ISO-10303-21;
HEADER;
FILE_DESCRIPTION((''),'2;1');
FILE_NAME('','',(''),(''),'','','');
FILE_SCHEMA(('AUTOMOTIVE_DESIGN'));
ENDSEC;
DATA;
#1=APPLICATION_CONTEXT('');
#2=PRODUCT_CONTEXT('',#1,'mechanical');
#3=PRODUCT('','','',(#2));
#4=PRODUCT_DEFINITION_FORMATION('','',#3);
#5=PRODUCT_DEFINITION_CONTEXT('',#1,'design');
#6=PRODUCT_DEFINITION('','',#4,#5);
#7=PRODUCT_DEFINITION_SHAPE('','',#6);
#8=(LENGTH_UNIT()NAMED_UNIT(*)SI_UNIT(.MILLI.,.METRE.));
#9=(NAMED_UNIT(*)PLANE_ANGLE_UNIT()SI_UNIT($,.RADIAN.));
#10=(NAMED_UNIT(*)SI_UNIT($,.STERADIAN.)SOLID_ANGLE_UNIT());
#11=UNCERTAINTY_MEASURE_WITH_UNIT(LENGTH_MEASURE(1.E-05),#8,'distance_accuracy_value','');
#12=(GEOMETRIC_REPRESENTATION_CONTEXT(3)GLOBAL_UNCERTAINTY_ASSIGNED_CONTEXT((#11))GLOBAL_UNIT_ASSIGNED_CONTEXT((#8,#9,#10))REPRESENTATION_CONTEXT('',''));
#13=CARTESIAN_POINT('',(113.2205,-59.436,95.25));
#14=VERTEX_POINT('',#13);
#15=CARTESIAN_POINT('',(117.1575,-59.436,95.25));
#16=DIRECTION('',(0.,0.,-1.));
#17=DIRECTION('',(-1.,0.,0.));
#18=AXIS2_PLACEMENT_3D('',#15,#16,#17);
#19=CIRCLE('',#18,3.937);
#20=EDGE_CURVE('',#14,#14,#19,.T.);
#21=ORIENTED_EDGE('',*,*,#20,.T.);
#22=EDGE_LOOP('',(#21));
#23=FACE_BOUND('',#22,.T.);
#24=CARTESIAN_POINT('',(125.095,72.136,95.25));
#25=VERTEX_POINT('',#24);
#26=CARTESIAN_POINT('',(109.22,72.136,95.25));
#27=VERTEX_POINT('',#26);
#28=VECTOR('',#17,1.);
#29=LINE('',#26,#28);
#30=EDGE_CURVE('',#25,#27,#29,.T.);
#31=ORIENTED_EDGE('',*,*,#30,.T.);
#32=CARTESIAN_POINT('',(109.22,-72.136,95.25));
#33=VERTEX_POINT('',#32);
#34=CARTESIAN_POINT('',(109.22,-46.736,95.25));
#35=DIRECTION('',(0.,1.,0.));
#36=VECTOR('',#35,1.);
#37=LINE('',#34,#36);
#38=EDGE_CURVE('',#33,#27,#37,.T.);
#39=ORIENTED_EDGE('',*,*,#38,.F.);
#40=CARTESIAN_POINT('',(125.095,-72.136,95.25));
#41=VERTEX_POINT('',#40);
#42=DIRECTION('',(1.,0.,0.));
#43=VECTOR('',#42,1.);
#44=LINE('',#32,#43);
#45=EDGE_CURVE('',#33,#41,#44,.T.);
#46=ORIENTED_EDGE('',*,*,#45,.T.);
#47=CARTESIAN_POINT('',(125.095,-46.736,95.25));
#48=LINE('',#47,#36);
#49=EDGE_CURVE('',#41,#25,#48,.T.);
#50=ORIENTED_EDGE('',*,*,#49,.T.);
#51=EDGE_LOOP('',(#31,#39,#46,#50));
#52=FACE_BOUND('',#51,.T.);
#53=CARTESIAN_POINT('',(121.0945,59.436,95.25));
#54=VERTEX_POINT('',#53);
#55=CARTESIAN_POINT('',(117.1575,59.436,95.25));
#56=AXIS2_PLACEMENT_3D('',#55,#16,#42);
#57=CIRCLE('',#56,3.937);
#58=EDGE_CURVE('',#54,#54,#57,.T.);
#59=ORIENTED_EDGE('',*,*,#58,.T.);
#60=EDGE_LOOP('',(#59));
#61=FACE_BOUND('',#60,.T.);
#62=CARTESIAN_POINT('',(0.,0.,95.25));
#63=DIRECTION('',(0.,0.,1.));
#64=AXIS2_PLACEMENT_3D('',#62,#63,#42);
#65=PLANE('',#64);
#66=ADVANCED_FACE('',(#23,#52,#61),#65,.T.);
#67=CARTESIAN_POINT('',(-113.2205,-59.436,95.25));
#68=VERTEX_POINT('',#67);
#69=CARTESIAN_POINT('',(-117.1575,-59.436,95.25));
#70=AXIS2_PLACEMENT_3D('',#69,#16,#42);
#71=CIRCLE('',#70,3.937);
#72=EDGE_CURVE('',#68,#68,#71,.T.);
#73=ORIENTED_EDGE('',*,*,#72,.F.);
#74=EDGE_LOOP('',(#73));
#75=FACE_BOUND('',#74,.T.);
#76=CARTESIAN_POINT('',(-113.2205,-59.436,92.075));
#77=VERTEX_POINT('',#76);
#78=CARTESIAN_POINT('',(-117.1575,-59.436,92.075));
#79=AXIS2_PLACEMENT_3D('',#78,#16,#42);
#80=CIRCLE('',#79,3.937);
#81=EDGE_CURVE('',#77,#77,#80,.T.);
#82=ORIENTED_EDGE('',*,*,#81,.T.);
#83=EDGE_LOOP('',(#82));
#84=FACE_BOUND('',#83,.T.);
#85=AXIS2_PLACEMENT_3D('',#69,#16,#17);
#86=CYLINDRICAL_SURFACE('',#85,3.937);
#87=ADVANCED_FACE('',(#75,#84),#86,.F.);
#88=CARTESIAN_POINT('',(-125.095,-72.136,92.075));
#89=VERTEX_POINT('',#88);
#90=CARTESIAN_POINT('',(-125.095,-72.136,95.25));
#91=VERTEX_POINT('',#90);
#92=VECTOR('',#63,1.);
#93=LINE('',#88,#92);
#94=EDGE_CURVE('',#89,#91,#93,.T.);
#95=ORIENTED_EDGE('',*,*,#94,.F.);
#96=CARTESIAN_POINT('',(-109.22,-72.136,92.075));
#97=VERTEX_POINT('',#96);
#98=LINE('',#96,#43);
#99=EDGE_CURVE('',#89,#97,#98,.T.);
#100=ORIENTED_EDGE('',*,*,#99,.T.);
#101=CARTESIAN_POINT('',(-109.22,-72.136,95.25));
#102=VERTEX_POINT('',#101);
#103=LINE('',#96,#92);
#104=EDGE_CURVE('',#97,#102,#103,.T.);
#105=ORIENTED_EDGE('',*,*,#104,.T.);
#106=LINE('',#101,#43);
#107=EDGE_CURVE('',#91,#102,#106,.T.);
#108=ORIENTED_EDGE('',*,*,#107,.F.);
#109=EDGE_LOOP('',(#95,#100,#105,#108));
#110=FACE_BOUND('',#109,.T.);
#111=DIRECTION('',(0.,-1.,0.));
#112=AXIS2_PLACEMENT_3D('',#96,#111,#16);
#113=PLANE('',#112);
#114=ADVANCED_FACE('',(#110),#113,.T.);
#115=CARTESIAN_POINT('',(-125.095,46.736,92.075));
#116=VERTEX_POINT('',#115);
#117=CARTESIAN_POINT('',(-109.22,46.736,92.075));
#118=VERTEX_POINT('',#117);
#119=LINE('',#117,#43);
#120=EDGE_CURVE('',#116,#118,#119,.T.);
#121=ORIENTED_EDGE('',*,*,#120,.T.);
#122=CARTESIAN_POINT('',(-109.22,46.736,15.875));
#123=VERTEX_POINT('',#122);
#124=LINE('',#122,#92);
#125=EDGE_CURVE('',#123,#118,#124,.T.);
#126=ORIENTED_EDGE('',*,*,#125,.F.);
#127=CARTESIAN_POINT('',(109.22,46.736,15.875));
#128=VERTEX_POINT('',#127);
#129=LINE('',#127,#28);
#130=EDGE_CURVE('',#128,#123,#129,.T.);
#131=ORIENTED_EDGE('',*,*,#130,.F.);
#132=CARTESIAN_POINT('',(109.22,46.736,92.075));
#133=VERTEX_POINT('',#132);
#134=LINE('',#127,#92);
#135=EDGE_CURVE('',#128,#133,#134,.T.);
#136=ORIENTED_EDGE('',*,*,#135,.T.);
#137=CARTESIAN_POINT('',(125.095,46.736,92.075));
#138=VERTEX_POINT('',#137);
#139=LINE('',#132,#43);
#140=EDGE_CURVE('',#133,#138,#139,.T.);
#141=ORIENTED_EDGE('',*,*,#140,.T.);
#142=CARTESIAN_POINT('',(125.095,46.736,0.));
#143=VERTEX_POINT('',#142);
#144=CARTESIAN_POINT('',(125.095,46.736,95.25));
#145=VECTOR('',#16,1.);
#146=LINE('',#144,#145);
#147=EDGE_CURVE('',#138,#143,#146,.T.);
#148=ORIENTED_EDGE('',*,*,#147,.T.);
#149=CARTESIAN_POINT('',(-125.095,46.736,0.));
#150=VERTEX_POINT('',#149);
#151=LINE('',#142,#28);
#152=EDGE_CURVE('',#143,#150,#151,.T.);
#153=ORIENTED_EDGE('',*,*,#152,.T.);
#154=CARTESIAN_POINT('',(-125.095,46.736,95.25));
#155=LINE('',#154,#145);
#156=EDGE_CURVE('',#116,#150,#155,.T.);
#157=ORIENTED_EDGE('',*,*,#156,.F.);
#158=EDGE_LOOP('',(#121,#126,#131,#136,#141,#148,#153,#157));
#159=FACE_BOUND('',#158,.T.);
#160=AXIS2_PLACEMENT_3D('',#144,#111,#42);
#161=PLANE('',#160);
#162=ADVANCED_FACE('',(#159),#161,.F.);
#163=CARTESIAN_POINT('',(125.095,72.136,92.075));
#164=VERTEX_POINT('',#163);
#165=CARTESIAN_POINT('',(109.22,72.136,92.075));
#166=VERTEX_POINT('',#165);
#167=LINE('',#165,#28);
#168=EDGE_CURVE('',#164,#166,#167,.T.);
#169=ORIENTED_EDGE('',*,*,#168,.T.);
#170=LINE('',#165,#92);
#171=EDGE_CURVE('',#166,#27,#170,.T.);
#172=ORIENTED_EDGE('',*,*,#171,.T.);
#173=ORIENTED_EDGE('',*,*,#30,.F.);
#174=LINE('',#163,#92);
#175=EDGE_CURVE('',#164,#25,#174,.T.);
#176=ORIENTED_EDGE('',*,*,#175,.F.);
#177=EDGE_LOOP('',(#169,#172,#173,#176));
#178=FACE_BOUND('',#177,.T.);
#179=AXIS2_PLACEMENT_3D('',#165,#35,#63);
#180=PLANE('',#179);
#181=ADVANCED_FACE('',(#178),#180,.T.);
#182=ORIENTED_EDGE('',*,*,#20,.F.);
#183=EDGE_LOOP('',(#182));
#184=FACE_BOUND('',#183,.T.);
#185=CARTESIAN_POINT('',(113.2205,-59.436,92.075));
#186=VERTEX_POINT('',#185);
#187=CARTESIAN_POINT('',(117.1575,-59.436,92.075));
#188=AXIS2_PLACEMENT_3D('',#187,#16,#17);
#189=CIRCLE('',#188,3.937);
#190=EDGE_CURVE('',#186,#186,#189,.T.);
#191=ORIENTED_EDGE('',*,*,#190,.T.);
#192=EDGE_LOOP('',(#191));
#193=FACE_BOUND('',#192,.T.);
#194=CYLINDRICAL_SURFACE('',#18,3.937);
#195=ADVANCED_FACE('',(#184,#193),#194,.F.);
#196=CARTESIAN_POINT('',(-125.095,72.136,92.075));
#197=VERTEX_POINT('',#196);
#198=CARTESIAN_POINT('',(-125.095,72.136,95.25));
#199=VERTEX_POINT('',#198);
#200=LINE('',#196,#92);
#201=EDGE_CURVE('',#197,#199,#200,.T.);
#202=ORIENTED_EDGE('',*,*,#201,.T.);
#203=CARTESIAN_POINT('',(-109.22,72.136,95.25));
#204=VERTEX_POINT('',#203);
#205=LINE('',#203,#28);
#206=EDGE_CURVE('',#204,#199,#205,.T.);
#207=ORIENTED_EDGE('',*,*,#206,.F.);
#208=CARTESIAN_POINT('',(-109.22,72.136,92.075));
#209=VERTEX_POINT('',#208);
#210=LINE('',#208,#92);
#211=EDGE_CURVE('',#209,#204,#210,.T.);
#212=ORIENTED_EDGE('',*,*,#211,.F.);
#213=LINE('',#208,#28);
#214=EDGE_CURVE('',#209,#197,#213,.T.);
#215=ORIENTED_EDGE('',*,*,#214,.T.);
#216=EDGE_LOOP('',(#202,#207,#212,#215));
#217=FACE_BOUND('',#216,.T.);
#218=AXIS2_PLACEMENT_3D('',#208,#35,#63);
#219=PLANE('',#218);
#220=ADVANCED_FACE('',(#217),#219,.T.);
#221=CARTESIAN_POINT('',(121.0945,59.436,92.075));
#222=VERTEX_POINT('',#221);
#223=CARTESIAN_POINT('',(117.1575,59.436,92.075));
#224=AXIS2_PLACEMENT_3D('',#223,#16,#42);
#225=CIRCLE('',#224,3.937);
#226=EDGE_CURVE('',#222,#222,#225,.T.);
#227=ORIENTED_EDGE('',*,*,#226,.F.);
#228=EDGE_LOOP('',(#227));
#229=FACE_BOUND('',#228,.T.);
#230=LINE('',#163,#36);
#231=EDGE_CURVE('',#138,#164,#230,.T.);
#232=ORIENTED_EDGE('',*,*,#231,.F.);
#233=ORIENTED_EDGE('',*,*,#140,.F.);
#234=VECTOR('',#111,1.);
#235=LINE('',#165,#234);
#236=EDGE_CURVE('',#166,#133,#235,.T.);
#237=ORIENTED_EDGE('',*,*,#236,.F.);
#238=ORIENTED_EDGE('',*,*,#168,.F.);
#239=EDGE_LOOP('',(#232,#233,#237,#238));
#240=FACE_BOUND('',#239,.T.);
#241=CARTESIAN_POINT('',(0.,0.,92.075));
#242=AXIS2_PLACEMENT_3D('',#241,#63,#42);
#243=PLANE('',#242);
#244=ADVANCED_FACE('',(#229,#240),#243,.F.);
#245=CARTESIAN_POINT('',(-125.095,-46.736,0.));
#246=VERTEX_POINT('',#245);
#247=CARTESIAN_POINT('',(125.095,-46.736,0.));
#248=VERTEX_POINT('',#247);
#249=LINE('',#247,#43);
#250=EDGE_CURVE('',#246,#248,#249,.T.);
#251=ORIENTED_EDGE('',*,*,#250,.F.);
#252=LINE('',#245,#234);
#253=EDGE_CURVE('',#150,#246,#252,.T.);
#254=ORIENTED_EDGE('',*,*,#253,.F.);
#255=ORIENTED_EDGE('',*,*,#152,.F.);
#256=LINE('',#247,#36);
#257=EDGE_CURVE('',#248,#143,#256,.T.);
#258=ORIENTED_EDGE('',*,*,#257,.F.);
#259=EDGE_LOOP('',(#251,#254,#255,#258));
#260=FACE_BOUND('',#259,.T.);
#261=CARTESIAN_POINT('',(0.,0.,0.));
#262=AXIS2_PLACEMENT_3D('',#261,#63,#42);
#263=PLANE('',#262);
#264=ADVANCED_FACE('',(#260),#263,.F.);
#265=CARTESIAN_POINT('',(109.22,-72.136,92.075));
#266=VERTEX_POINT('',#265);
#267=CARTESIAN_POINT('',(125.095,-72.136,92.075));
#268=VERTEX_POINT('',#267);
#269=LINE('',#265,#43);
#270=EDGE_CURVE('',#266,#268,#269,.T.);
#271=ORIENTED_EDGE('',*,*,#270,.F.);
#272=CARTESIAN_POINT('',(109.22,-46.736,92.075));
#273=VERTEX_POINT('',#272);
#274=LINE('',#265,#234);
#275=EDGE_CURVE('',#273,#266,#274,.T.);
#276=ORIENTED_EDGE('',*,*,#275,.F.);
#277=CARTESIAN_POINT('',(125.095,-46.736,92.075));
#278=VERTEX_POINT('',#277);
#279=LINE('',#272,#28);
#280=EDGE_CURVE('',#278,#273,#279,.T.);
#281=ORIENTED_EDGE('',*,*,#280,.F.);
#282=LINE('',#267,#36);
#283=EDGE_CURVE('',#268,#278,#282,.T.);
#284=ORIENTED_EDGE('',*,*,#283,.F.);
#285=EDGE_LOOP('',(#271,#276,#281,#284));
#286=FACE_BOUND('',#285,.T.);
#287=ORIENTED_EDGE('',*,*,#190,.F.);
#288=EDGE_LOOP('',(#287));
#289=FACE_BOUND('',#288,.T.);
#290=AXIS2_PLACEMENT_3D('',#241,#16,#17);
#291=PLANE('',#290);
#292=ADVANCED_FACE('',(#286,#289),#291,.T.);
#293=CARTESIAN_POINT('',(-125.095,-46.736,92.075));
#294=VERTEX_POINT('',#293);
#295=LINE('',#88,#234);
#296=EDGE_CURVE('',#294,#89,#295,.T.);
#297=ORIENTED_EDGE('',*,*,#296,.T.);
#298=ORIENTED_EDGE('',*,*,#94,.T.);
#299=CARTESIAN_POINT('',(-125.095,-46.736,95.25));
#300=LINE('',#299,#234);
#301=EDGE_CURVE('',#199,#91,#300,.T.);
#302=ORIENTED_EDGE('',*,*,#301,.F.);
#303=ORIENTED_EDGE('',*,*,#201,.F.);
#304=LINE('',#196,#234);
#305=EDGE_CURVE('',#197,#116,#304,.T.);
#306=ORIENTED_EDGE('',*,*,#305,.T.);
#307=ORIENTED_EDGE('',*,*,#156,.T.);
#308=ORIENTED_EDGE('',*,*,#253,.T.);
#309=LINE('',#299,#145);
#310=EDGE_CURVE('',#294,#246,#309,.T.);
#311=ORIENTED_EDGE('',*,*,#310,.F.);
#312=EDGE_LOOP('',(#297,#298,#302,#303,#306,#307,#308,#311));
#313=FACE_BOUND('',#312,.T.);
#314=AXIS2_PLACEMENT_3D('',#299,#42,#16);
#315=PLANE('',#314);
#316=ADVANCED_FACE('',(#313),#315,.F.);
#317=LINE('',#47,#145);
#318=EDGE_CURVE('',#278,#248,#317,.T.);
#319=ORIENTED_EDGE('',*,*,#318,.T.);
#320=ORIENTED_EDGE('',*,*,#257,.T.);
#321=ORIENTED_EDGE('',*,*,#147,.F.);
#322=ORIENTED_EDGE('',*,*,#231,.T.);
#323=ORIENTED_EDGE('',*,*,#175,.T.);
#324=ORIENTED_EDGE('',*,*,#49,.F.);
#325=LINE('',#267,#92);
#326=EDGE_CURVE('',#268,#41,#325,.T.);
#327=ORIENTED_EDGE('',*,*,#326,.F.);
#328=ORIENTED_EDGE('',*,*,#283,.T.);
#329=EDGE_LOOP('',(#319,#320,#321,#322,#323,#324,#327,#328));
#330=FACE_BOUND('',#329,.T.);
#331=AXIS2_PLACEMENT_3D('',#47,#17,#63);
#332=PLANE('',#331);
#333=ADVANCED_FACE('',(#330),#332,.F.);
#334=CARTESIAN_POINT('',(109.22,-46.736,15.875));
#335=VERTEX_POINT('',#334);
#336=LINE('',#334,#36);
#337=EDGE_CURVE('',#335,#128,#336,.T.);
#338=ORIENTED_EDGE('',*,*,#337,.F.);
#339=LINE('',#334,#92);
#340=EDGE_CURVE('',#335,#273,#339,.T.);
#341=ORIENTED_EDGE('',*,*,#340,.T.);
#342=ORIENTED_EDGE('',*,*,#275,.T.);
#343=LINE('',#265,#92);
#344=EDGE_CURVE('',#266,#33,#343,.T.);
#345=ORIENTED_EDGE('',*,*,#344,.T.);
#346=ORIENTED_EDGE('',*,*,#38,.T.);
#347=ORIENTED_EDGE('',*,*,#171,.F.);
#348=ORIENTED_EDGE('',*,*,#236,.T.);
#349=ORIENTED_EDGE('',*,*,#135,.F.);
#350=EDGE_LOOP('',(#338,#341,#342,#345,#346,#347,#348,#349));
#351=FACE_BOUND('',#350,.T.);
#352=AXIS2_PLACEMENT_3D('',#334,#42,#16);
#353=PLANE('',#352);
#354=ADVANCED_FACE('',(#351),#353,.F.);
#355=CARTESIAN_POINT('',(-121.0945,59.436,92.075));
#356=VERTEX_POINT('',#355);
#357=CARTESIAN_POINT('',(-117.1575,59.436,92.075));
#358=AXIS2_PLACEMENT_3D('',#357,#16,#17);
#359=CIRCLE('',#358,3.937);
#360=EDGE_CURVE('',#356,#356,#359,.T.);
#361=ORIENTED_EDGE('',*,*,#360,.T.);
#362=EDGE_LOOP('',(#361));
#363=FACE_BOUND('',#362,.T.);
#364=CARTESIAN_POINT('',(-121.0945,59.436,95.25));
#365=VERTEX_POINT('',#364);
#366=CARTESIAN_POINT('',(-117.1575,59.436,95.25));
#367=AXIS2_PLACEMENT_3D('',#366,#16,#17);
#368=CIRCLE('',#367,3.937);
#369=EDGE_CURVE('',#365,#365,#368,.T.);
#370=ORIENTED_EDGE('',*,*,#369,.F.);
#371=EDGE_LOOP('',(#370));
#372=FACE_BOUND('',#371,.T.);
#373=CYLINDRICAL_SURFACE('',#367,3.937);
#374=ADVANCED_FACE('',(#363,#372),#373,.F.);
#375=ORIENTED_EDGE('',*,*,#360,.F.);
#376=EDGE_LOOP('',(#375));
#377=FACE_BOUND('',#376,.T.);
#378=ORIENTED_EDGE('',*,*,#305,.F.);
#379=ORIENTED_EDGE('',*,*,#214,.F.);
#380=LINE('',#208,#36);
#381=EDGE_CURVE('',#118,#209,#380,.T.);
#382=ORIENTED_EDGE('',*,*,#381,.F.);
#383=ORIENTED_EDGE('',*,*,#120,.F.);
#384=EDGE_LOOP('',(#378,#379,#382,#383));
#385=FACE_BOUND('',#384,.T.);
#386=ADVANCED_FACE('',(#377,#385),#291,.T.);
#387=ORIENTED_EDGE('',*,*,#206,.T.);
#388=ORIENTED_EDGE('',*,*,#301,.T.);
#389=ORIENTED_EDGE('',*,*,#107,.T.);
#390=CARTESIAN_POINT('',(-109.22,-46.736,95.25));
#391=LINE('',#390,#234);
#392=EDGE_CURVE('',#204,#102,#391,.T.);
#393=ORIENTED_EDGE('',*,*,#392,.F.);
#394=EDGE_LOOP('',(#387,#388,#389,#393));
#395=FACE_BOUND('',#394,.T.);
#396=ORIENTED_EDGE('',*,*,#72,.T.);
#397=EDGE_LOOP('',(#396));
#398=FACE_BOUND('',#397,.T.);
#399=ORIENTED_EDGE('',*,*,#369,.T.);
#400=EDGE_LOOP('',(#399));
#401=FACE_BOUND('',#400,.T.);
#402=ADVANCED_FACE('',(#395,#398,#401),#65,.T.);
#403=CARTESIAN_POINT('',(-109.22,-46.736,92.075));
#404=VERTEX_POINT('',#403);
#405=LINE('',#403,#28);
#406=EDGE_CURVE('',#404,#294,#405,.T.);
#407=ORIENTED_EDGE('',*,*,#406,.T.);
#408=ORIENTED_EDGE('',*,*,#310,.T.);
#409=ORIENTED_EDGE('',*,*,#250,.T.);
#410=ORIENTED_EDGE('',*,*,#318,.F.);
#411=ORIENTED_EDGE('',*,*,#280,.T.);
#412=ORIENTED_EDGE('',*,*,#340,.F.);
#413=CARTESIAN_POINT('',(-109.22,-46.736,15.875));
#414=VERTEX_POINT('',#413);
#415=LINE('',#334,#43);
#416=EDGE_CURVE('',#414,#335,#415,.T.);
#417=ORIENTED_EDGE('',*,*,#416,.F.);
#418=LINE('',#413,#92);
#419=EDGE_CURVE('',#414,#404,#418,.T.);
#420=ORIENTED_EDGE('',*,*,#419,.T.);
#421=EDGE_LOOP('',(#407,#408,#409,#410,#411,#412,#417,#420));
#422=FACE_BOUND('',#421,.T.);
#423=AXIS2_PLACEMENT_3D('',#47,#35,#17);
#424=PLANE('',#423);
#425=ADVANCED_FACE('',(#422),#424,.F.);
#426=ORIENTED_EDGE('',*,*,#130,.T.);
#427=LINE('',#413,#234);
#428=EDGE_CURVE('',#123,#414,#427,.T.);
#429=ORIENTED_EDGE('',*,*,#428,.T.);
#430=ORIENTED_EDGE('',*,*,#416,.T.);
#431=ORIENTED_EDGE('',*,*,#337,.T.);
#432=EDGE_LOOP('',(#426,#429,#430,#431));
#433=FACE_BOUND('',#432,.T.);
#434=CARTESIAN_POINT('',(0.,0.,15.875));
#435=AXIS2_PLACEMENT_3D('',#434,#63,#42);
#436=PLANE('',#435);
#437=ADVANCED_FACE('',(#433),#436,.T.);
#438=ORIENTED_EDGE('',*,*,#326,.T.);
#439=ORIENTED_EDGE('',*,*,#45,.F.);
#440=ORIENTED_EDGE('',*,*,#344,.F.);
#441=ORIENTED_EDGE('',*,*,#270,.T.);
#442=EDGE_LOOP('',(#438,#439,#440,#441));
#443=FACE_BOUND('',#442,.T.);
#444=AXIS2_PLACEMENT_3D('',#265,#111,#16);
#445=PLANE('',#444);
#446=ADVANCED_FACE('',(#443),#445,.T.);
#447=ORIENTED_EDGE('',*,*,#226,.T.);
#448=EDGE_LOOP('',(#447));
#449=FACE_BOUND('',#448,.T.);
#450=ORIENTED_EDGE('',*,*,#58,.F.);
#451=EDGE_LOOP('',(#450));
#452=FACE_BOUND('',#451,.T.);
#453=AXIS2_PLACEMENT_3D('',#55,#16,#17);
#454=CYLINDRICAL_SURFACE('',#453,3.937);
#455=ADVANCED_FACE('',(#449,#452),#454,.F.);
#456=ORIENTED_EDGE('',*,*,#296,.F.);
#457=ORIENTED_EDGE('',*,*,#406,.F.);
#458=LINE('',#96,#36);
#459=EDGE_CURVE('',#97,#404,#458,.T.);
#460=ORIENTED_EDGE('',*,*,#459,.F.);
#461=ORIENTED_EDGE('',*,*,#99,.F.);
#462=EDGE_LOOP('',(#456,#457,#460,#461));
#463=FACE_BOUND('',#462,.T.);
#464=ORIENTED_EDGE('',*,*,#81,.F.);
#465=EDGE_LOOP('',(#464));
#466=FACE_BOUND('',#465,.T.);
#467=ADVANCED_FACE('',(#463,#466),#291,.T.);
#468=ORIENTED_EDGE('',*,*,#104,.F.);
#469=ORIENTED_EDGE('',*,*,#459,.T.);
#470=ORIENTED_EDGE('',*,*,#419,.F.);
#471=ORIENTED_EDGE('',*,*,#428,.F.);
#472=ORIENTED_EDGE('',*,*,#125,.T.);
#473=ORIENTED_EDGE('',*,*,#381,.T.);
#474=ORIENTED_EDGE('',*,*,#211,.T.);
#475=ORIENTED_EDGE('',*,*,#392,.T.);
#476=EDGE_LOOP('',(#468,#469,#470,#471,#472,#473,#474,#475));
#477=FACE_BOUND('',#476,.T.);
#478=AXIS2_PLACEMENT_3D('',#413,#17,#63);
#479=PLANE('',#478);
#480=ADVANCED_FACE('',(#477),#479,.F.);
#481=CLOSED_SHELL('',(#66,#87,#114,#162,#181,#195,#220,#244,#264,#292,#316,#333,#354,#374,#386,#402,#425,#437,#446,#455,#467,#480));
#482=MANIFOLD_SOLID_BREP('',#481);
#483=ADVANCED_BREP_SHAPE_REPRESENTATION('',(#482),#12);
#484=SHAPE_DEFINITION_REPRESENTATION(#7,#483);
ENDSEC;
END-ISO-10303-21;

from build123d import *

# Parameters (mm, degrees)
SKETCH1_W           = 250.19
SKETCH1_H           = 93.472
BOSS_EXTRUDE1_DEPTH = 95.25
SKETCH5_W           = 218.44
SKETCH5_H           = 93.472
CUT_EXTRUDE1_DEPTH  = 79.375
SKETCH6_W           = 15.875
SKETCH6_H           = 25.4
BOSS_EXTRUDE2_DEPTH = 3.175
SKETCH7_R           = 3.937
CUT_EXTRUDE2_DEPTH  = 172.26052419


with BuildPart() as part:
    # Sketch1 → Boss-Extrude1 (new body)
    with BuildSketch(Plane.XY):
        Rectangle(SKETCH1_W, SKETCH1_H)
    extrude(amount=BOSS_EXTRUDE1_DEPTH)

    # Sketch5 → Cut-Extrude1 (cut)
    with BuildSketch(Plane.XY.offset(95.25)):
        Rectangle(SKETCH5_W, SKETCH5_H)
    extrude(amount=-CUT_EXTRUDE1_DEPTH, mode=Mode.SUBTRACT)

    # Sketch6 → Boss-Extrude2 (add)
    with BuildSketch(Plane.XY.offset(95.25)):
        with Locations((117.1575, 59.436)):
            Rectangle(SKETCH6_W, SKETCH6_H)
        with Locations((-117.1575, 59.436)):
            Rectangle(SKETCH6_W, SKETCH6_H)
        with Locations((117.1575, -59.436)):
            Rectangle(SKETCH6_W, SKETCH6_H)
        with Locations((-117.1575, -59.436)):
            Rectangle(SKETCH6_W, SKETCH6_H)
    extrude(amount=-BOSS_EXTRUDE2_DEPTH)

    # Sketch7 → Cut-Extrude2 (cut, through all)
    with BuildSketch(Plane(origin=(0, 0, 92.075), x_dir=(-1, 0, 0), z_dir=(0, 0, -1))):
        with Locations((117.1575, 59.436)):
            Circle(SKETCH7_R)
        with Locations(Location((-117.1575, 59.436, 0), (0, 0, 180))):
            Circle(SKETCH7_R)
        with Locations(Location((117.1575, -59.436, 0), (0, 0, 180))):
            Circle(SKETCH7_R)
        with Locations((-117.1575, -59.436)):
            Circle(SKETCH7_R)
    extrude(amount=-CUT_EXTRUDE2_DEPTH, mode=Mode.SUBTRACT)


solid = part.part
